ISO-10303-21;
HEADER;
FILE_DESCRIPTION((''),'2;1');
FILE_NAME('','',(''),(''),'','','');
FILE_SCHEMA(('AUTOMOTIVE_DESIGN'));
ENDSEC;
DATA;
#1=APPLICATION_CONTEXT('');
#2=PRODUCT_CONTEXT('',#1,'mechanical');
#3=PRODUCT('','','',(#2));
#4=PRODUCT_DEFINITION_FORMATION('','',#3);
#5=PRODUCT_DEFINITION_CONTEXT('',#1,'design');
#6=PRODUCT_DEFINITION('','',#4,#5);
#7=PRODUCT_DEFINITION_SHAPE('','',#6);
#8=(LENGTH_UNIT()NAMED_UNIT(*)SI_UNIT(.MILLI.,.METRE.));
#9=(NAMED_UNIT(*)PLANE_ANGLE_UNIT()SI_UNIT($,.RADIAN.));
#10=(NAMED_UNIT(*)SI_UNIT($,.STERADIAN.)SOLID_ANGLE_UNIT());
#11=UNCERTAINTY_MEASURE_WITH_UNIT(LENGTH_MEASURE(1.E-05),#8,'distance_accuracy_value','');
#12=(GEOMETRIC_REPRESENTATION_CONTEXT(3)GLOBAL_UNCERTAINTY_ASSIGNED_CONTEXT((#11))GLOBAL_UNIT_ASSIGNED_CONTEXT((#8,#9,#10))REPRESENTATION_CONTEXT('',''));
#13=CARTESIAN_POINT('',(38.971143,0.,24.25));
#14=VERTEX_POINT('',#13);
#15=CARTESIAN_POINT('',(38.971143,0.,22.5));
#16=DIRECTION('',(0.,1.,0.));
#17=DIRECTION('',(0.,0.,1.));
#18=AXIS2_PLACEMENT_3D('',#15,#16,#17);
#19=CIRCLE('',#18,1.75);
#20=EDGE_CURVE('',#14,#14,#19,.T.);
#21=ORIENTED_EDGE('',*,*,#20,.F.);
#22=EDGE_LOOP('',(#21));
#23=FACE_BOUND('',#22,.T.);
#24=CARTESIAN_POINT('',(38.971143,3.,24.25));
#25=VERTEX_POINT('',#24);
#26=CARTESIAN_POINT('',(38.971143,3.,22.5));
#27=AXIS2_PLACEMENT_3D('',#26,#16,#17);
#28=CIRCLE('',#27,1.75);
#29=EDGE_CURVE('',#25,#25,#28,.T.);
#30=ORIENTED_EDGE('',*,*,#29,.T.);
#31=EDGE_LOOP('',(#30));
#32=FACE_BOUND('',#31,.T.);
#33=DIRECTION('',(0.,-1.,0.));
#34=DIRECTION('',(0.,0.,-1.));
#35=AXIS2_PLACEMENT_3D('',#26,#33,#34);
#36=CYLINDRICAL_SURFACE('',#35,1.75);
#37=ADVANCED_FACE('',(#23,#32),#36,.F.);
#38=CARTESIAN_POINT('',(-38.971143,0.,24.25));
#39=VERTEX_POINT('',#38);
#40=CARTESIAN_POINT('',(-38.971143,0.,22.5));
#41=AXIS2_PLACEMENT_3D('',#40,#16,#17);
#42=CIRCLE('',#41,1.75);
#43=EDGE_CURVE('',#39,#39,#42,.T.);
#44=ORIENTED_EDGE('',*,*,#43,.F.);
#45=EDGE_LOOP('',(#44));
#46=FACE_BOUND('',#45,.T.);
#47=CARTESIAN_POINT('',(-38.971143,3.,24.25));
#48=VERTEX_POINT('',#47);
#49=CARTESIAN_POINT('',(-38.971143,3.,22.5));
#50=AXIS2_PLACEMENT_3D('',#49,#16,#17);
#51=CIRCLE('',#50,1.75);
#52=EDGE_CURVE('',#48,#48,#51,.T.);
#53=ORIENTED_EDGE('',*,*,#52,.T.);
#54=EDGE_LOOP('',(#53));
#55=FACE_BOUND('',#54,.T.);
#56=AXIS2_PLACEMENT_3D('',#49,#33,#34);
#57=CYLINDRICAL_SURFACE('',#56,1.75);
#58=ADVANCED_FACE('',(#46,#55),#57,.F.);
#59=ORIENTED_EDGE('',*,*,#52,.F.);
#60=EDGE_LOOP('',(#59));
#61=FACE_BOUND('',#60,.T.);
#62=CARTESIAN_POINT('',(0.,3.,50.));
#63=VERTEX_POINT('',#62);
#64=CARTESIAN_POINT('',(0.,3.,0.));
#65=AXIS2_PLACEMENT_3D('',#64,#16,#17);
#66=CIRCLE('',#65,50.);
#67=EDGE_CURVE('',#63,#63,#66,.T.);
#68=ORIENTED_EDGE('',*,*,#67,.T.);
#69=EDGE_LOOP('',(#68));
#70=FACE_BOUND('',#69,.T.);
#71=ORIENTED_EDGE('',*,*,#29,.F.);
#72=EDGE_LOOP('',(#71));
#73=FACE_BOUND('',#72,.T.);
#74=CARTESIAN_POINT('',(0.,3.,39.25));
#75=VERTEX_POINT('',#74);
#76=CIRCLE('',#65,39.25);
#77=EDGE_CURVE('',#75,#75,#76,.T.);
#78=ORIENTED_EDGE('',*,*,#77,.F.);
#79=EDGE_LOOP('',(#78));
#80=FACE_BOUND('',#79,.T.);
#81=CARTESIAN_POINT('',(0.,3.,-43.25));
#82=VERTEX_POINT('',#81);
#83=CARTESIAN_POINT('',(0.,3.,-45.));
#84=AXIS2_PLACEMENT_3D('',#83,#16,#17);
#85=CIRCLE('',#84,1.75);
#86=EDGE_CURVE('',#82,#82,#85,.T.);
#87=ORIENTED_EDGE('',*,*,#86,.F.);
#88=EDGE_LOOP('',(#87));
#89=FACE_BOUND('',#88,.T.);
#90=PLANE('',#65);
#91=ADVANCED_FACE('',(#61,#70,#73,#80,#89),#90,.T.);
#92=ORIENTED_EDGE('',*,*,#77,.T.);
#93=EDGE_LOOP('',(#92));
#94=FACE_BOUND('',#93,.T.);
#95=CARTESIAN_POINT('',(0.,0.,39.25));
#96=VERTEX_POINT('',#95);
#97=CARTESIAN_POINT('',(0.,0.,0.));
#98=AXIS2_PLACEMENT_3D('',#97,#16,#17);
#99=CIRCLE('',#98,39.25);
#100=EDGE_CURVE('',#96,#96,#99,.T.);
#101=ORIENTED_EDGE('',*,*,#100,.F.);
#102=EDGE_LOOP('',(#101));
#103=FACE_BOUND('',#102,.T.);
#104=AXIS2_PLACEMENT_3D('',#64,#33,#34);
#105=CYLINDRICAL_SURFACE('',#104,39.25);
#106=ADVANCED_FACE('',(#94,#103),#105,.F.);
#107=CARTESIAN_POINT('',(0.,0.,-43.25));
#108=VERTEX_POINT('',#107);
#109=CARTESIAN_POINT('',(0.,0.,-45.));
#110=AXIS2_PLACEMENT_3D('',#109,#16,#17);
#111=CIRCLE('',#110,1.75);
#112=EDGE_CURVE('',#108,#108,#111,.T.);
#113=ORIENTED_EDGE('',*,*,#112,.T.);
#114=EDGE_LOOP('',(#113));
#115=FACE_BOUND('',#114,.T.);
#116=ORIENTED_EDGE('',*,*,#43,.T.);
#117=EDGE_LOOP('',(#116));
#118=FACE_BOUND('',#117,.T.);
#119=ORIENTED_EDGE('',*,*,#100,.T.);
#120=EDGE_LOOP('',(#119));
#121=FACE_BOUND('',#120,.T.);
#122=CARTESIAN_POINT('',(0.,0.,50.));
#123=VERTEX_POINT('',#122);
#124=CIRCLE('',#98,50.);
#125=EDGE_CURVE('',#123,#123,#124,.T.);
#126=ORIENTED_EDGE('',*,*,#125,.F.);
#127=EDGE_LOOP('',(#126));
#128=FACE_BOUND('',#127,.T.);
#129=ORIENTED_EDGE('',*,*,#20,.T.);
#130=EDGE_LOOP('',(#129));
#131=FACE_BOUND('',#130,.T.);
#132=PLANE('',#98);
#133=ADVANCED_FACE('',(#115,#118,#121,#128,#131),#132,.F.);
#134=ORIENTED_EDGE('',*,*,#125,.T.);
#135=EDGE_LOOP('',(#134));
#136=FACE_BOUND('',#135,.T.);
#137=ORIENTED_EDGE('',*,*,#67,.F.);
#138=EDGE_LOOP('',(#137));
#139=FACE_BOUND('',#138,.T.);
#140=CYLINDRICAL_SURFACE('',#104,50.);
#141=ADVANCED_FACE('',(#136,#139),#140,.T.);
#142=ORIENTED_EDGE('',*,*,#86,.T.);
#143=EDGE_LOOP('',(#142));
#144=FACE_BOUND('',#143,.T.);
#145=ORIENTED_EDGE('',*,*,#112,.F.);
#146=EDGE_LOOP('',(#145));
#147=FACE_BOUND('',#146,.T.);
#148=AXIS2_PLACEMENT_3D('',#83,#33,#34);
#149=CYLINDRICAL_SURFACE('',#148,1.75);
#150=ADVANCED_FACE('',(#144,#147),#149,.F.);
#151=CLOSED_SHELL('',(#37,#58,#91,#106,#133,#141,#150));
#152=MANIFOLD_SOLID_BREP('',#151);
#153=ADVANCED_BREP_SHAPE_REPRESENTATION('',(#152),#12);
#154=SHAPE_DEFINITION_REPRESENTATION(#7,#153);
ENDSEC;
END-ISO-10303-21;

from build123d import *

# Parameters (mm, degrees)
SKETCH1_R           = 50
SKETCH1_R_2         = 39.25
SKETCH1_R_3         = 1.75
BOSS_EXTRUDE1_DEPTH = 3


with BuildPart() as part:
    # Sketch1 → Boss-Extrude1 (new body)
    with BuildSketch(Plane(origin=(0, 0, 0), x_dir=(1, 0, 0), z_dir=(0, 1, 0))):
        with Locations(Location((0, 0, 0), (0, 0, 270))):
            Circle(SKETCH1_R)
        with Locations(Location((0, 0, 0), (0, 0, 270))):
            Circle(SKETCH1_R_2, mode=Mode.SUBTRACT)
        with Locations(Location((0, 45, 0), (0, 0, 270))):
            Circle(SKETCH1_R_3, mode=Mode.SUBTRACT)
        with Locations(Location((38.97114317, -22.5, 0), (0, 0, 270))):
            Circle(SKETCH1_R_3, mode=Mode.SUBTRACT)
        with Locations(Location((-38.97114317, -22.5, 0), (0, 0, 270))):
            Circle(SKETCH1_R_3, mode=Mode.SUBTRACT)
    extrude(amount=BOSS_EXTRUDE1_DEPTH)


solid = part.part
